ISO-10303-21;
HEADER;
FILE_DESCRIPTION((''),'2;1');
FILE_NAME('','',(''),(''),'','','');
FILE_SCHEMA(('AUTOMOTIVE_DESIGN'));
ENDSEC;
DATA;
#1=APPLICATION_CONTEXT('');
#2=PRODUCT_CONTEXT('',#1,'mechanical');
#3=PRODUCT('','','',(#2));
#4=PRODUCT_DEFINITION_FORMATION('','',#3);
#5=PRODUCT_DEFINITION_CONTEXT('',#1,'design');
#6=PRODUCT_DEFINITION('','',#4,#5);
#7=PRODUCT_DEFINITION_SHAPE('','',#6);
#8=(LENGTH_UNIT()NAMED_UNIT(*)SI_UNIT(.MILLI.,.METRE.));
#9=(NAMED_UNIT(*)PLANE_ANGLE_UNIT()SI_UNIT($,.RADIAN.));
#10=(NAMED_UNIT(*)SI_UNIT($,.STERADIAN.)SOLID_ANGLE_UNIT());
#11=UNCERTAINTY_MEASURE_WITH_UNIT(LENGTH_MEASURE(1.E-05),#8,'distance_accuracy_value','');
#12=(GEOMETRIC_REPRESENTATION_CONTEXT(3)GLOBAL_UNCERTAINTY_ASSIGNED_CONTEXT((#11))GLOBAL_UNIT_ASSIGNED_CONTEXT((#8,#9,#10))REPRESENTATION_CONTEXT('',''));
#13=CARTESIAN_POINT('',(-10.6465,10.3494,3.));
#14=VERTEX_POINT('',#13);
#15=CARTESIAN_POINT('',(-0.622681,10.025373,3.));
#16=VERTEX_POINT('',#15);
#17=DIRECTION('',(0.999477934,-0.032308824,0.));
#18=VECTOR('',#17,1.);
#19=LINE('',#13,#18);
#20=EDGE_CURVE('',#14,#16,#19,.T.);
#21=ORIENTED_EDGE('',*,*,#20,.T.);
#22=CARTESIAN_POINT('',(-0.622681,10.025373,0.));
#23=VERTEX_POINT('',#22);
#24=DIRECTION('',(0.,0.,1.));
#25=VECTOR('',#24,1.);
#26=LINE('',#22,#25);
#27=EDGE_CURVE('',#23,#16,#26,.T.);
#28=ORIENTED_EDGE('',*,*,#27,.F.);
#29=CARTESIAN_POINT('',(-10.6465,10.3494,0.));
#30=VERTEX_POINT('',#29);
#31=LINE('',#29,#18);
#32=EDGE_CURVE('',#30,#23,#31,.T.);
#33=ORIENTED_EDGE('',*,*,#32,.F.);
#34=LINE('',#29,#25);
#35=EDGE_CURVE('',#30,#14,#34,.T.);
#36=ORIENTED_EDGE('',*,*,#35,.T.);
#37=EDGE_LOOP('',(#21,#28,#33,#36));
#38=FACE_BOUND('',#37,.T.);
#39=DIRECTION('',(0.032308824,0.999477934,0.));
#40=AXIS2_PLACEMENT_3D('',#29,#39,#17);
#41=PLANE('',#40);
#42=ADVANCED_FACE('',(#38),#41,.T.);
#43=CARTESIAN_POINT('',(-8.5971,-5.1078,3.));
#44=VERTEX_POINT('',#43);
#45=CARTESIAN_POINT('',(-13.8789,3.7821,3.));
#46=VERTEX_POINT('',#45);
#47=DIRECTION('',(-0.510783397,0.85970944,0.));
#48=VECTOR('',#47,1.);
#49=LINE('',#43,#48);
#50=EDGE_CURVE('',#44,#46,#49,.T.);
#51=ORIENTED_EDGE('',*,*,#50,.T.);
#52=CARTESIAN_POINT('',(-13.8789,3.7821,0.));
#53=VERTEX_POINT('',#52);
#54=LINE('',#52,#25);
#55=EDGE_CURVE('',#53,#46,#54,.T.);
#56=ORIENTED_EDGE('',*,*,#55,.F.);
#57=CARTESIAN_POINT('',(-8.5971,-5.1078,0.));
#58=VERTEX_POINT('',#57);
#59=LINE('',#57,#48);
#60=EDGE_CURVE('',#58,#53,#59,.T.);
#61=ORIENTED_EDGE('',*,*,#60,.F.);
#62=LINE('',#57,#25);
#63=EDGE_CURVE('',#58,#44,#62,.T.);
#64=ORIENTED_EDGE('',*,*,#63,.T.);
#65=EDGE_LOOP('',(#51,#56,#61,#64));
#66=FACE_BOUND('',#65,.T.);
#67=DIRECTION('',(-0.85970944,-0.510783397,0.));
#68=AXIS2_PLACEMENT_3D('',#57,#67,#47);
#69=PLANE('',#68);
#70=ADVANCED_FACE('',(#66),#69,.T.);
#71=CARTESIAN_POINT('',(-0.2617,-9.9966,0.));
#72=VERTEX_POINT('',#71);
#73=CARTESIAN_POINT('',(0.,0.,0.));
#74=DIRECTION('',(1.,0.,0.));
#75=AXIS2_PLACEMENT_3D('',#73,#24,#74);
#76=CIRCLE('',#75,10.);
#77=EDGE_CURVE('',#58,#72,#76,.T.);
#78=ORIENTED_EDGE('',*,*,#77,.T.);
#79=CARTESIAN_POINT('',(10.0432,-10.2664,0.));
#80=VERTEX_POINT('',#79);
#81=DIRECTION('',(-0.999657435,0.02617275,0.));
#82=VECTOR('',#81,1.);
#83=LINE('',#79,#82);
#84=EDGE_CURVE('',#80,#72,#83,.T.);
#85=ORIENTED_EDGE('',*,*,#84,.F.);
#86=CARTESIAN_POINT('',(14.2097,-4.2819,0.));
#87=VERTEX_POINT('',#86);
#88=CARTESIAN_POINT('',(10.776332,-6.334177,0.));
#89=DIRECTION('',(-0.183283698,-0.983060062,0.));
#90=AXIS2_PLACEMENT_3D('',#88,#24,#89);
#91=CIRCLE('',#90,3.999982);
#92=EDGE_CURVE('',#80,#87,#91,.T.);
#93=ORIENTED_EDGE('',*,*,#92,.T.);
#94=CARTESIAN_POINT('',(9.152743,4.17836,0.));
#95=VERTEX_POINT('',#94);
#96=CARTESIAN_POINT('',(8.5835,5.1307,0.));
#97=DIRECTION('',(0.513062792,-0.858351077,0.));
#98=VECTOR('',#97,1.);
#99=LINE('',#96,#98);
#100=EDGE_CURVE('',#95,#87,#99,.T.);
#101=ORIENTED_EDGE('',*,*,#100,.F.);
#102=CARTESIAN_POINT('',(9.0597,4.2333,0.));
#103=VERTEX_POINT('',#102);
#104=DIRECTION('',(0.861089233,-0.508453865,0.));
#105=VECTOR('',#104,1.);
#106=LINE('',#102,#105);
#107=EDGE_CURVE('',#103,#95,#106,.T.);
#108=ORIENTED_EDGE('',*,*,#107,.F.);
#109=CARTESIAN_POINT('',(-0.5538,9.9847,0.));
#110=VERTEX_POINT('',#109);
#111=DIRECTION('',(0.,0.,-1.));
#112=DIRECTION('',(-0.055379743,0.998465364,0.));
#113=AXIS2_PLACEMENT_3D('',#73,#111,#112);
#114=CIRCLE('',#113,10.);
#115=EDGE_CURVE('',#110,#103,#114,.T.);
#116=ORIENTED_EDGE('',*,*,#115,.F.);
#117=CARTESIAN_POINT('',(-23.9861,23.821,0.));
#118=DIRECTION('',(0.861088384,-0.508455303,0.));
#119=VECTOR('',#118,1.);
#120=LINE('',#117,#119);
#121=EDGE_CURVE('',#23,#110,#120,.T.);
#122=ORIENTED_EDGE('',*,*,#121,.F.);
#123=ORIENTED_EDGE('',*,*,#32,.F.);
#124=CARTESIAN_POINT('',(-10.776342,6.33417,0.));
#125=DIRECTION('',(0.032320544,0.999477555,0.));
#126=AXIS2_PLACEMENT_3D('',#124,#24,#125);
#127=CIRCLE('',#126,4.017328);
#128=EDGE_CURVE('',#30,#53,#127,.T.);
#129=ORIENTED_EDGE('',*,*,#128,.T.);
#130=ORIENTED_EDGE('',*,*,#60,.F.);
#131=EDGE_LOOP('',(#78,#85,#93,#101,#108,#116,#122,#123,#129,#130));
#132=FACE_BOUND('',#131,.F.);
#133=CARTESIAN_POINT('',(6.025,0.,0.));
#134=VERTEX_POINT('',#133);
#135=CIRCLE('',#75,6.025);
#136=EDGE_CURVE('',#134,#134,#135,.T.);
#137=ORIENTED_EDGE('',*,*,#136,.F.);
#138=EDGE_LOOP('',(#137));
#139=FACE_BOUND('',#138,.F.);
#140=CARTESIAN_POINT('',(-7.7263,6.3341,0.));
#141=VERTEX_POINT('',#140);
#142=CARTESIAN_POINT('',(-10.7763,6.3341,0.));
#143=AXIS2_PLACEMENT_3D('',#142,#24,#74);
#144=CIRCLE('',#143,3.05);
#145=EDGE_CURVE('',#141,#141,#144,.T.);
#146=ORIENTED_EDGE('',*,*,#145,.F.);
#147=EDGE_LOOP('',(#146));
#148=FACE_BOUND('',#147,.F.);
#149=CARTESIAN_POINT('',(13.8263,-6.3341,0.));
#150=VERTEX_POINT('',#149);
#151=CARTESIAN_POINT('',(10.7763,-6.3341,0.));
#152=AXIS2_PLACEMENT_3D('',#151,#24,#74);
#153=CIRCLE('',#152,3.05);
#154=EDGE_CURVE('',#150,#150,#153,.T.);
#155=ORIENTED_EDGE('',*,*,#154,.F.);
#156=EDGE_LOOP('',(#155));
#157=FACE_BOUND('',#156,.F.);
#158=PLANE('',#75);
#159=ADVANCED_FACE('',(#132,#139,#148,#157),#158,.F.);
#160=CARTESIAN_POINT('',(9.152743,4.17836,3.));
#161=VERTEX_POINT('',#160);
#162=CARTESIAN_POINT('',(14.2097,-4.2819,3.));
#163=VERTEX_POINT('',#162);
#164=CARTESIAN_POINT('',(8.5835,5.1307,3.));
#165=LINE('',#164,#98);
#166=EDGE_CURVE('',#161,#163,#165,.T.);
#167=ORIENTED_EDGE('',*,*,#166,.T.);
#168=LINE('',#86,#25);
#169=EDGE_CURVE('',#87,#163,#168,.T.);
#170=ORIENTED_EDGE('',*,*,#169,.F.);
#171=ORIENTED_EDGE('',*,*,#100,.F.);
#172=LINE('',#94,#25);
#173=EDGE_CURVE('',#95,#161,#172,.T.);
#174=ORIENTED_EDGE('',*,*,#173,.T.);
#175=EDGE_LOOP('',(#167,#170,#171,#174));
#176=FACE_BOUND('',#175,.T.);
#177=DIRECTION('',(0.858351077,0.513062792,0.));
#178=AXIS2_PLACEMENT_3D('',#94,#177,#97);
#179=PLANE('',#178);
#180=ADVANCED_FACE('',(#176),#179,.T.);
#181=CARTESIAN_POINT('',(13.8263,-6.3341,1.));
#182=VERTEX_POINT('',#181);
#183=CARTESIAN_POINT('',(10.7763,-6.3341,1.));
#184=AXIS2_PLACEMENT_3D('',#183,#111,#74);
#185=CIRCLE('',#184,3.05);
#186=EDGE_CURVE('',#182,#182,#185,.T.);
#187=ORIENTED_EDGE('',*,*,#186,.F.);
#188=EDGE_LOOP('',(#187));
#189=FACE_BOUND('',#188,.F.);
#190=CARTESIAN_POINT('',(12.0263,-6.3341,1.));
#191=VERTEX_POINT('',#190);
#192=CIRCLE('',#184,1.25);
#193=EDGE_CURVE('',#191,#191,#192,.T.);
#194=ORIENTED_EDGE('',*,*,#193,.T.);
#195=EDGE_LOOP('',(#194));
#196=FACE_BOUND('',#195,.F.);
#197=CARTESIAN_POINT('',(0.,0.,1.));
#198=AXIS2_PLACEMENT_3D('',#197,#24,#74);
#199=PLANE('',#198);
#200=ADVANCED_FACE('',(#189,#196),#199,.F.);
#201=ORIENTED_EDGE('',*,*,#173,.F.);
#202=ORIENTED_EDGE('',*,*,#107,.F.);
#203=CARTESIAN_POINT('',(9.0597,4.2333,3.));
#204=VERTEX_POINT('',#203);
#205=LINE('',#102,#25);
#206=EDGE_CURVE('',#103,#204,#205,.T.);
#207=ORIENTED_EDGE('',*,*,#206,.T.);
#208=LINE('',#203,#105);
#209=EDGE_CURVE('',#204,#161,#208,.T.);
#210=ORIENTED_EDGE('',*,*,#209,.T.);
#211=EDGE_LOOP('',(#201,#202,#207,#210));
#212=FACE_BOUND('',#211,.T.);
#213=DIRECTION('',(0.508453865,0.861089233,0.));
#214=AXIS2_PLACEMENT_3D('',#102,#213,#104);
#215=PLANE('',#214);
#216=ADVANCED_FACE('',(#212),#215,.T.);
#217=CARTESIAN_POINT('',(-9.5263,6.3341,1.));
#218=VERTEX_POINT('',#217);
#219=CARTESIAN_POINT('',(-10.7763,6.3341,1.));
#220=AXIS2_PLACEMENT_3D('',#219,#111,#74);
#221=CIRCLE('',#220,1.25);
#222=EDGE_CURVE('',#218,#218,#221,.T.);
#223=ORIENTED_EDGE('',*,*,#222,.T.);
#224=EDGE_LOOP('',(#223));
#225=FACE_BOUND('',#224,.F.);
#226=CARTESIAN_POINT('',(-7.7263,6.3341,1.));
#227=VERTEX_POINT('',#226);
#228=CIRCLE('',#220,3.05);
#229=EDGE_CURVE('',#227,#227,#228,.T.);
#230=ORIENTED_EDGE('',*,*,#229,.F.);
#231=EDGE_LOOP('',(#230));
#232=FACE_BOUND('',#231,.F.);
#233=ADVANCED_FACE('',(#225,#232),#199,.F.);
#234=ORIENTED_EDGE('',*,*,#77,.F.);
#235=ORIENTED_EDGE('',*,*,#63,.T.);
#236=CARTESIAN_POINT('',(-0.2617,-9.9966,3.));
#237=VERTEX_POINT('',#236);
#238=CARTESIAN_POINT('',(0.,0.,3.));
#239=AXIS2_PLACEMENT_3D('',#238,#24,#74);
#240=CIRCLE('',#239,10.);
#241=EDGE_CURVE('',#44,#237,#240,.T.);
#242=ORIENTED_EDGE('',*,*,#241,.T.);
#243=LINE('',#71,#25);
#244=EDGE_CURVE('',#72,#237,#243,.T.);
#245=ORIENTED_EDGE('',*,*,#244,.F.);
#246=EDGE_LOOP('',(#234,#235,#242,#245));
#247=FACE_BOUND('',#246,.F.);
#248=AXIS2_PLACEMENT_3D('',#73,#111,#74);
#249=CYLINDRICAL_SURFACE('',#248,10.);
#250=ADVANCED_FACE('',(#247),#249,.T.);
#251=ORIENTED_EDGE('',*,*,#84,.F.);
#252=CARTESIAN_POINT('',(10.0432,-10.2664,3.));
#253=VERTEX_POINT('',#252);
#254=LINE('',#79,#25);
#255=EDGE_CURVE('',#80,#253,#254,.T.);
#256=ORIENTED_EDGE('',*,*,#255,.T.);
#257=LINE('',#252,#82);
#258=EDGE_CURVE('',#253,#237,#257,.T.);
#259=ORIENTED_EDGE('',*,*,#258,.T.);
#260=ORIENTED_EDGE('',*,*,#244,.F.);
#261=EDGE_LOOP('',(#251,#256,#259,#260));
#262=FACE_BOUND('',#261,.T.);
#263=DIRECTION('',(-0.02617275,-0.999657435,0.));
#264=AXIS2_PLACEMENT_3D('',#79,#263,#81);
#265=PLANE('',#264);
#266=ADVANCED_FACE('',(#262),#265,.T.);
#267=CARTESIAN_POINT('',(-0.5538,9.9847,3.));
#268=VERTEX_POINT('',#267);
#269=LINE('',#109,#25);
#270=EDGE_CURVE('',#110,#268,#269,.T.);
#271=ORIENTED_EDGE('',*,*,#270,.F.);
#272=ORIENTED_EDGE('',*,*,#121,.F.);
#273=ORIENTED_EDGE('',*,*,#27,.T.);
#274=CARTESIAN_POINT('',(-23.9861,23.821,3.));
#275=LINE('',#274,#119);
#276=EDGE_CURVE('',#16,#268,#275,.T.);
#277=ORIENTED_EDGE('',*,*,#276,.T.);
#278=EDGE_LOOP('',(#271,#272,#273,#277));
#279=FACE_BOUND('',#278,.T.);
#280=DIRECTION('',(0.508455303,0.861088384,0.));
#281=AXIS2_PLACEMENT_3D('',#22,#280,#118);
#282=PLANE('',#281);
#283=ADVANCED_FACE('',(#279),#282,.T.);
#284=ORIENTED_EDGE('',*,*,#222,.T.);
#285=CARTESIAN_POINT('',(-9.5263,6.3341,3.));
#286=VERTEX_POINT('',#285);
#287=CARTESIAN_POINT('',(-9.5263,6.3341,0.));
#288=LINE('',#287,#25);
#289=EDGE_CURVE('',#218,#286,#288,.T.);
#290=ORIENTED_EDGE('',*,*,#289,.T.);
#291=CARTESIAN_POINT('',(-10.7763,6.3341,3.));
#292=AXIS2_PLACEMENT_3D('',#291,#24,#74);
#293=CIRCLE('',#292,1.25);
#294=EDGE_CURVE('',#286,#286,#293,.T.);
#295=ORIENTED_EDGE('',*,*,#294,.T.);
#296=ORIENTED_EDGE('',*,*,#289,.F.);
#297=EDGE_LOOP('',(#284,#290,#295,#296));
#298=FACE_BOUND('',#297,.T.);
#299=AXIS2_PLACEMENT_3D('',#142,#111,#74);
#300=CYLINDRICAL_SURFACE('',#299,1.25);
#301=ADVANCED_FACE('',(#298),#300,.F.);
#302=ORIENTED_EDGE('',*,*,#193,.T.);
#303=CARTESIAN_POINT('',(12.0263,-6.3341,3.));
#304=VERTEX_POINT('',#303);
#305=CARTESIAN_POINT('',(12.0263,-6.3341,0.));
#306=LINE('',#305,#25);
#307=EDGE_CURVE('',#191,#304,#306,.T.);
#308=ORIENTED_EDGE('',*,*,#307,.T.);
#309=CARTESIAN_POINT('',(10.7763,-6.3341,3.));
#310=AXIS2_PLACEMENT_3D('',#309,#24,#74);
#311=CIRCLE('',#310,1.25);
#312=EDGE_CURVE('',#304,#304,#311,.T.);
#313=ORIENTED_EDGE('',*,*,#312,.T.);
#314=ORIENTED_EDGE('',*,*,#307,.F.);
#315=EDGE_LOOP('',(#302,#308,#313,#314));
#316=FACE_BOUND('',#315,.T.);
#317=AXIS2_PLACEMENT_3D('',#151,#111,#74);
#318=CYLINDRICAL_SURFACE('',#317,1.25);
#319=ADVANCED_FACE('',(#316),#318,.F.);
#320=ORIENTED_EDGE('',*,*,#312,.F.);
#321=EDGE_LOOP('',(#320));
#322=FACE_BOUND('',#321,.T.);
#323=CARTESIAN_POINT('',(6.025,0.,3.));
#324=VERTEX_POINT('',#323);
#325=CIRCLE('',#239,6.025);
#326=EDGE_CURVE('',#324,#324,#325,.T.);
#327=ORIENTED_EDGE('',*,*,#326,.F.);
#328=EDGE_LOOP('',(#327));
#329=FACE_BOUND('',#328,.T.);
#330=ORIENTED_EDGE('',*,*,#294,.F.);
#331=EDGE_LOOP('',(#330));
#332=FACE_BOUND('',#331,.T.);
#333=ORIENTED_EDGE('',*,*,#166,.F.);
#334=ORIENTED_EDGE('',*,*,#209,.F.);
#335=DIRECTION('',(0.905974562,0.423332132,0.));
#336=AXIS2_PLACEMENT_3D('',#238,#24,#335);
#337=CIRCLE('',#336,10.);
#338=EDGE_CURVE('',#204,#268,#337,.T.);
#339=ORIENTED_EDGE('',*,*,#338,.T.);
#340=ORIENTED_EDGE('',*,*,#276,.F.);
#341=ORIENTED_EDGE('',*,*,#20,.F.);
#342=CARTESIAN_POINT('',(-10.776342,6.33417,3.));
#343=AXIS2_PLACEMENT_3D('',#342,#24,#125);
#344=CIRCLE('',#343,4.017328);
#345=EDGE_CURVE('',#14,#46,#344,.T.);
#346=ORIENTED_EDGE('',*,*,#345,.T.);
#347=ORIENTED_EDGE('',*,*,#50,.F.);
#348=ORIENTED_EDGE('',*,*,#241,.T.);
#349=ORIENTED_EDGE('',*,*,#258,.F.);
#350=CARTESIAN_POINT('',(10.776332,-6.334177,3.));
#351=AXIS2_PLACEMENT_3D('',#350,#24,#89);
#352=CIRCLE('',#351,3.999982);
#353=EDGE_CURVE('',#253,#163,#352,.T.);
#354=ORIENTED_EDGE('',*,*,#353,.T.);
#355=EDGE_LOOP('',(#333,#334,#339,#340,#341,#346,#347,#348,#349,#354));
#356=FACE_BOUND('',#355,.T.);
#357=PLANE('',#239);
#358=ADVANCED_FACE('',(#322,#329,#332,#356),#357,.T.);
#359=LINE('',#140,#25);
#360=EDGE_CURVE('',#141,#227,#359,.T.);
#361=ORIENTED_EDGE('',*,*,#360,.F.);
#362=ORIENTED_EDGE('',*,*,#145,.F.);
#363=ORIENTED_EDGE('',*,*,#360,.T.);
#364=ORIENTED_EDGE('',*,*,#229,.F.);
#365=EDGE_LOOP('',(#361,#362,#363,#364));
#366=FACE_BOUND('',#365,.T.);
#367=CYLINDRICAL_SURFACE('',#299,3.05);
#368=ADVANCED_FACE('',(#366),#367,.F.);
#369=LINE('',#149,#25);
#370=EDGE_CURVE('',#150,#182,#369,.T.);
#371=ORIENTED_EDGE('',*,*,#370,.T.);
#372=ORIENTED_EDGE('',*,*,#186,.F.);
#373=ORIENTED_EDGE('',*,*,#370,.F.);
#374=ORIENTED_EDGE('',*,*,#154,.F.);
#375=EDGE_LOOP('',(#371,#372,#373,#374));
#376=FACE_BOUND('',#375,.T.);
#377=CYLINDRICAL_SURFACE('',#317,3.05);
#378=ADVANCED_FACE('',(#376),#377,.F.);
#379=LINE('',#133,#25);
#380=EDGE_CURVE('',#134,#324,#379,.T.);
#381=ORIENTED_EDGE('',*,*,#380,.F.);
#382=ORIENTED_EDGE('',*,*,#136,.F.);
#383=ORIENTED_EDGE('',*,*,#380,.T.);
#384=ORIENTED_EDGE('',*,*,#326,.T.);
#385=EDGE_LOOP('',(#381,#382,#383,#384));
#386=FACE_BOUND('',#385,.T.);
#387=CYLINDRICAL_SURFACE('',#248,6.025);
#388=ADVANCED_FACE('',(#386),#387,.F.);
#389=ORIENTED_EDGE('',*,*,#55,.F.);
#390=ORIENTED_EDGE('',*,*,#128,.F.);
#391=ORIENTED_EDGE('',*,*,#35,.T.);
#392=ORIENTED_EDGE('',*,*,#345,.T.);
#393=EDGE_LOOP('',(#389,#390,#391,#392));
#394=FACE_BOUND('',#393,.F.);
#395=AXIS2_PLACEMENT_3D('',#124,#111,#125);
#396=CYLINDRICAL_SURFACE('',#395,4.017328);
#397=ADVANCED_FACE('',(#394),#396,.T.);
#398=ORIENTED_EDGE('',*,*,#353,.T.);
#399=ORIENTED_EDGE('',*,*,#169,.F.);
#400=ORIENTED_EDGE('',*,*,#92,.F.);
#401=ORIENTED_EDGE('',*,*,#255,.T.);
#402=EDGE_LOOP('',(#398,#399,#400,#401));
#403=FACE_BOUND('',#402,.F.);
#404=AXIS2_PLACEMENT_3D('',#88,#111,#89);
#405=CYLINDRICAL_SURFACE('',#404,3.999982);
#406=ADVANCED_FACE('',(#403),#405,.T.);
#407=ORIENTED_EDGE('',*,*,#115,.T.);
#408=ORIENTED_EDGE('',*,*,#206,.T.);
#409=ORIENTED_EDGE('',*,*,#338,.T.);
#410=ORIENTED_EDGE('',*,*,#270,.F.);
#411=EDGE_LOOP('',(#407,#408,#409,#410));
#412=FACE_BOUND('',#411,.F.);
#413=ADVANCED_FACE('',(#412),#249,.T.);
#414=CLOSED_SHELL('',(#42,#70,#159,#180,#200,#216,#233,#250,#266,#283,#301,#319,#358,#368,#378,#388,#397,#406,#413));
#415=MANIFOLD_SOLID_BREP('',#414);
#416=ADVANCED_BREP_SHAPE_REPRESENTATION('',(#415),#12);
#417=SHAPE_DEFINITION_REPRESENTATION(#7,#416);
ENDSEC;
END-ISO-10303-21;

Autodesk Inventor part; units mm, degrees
ref_plane "YZ Plane" through (0, 0, 0) normal (1, 0, 0) x (0, 1, 0)
ref_plane "XZ Plane" through (0, 0, 0) normal (0, 1, 0) x (-1, 0, 0)
ref_plane "XY Plane" through (0, 0, 0) normal (0, 0, 1) x (1, 0, 0)
sketch "スケッチ1" plane through (0, 0, 0) normal (0, 0, 1) x (1, 0, 0)
  line L0 (0, 0) -> (-26.8716, 23) construction
  line L1 (32.7705, -12.2921) -> (0, 0) construction
  circle A0 centre (0, 0) radius 8
  circle A1 centre (0, 0) radius 6.025
  circle A2 centre (0, 0) radius 10
  line L2 (30.3398, -14.0505) -> (4.0407, -9.1473)
  line L3 (9.0597, 4.2333) -> (32.0958, -9.369)
  line L4 (-23.9861, 23.821) -> (-0.5538, 9.9847)
  line L5 (-9.9505, -0.9938) -> (-27.2374, 20.0224)
  circle A3 centre (-10.7763, 6.3341) radius 3.05
  circle A4 centre (-10.7763, 6.3341) radius 1.25
  circle A5 centre (10.7763, -6.3341) radius 3.05
  circle A6 centre (10.7763, -6.3341) radius 1.25
  arc A7 (-10.6465, 10.3494) -> (-13.8789, 3.7821) centre (-10.7763, 6.3341) ccw
  arc A8 (10.0432, -10.2664) -> (14.2097, -4.2819) centre (10.7763, -6.3341) ccw
  line L6 (-10.6465, 10.3494) -> (0.3231, 9.9948)
  line L7 (8.5835, 5.1307) -> (14.2097, -4.2819)
  line L8 (10.0432, -10.2664) -> (-0.2617, -9.9966)
  line L9 (-8.5971, -5.1078) -> (-13.8789, 3.7821)
  point P0 (-0.6227, 10.0254)
  point P1 (9.1526, 4.1785)
  dimension "d0" = 12.05
  dimension "d5" = 2.5
extrude "押し出し1" add sketch "スケッチ1" along normal blind 3 contours A0 | A2 A5 A3 | A2 L3 L7 A8 L2 A5 | A5 A2 | A2 A5 | L2 L8 A2 | A2 A3 L5 A7 L6 L4 | A3 A2 | A2 A3 | L9 L5 A2
extrude "押し出し2" cut sketch "スケッチ1" along normal blind 1 contours A5 A2 | A2 A5 | A3 A2 | A2 A3 | A4 | A6
properties part number "モータマウント2" material "アルミニウム 2014-T4"
